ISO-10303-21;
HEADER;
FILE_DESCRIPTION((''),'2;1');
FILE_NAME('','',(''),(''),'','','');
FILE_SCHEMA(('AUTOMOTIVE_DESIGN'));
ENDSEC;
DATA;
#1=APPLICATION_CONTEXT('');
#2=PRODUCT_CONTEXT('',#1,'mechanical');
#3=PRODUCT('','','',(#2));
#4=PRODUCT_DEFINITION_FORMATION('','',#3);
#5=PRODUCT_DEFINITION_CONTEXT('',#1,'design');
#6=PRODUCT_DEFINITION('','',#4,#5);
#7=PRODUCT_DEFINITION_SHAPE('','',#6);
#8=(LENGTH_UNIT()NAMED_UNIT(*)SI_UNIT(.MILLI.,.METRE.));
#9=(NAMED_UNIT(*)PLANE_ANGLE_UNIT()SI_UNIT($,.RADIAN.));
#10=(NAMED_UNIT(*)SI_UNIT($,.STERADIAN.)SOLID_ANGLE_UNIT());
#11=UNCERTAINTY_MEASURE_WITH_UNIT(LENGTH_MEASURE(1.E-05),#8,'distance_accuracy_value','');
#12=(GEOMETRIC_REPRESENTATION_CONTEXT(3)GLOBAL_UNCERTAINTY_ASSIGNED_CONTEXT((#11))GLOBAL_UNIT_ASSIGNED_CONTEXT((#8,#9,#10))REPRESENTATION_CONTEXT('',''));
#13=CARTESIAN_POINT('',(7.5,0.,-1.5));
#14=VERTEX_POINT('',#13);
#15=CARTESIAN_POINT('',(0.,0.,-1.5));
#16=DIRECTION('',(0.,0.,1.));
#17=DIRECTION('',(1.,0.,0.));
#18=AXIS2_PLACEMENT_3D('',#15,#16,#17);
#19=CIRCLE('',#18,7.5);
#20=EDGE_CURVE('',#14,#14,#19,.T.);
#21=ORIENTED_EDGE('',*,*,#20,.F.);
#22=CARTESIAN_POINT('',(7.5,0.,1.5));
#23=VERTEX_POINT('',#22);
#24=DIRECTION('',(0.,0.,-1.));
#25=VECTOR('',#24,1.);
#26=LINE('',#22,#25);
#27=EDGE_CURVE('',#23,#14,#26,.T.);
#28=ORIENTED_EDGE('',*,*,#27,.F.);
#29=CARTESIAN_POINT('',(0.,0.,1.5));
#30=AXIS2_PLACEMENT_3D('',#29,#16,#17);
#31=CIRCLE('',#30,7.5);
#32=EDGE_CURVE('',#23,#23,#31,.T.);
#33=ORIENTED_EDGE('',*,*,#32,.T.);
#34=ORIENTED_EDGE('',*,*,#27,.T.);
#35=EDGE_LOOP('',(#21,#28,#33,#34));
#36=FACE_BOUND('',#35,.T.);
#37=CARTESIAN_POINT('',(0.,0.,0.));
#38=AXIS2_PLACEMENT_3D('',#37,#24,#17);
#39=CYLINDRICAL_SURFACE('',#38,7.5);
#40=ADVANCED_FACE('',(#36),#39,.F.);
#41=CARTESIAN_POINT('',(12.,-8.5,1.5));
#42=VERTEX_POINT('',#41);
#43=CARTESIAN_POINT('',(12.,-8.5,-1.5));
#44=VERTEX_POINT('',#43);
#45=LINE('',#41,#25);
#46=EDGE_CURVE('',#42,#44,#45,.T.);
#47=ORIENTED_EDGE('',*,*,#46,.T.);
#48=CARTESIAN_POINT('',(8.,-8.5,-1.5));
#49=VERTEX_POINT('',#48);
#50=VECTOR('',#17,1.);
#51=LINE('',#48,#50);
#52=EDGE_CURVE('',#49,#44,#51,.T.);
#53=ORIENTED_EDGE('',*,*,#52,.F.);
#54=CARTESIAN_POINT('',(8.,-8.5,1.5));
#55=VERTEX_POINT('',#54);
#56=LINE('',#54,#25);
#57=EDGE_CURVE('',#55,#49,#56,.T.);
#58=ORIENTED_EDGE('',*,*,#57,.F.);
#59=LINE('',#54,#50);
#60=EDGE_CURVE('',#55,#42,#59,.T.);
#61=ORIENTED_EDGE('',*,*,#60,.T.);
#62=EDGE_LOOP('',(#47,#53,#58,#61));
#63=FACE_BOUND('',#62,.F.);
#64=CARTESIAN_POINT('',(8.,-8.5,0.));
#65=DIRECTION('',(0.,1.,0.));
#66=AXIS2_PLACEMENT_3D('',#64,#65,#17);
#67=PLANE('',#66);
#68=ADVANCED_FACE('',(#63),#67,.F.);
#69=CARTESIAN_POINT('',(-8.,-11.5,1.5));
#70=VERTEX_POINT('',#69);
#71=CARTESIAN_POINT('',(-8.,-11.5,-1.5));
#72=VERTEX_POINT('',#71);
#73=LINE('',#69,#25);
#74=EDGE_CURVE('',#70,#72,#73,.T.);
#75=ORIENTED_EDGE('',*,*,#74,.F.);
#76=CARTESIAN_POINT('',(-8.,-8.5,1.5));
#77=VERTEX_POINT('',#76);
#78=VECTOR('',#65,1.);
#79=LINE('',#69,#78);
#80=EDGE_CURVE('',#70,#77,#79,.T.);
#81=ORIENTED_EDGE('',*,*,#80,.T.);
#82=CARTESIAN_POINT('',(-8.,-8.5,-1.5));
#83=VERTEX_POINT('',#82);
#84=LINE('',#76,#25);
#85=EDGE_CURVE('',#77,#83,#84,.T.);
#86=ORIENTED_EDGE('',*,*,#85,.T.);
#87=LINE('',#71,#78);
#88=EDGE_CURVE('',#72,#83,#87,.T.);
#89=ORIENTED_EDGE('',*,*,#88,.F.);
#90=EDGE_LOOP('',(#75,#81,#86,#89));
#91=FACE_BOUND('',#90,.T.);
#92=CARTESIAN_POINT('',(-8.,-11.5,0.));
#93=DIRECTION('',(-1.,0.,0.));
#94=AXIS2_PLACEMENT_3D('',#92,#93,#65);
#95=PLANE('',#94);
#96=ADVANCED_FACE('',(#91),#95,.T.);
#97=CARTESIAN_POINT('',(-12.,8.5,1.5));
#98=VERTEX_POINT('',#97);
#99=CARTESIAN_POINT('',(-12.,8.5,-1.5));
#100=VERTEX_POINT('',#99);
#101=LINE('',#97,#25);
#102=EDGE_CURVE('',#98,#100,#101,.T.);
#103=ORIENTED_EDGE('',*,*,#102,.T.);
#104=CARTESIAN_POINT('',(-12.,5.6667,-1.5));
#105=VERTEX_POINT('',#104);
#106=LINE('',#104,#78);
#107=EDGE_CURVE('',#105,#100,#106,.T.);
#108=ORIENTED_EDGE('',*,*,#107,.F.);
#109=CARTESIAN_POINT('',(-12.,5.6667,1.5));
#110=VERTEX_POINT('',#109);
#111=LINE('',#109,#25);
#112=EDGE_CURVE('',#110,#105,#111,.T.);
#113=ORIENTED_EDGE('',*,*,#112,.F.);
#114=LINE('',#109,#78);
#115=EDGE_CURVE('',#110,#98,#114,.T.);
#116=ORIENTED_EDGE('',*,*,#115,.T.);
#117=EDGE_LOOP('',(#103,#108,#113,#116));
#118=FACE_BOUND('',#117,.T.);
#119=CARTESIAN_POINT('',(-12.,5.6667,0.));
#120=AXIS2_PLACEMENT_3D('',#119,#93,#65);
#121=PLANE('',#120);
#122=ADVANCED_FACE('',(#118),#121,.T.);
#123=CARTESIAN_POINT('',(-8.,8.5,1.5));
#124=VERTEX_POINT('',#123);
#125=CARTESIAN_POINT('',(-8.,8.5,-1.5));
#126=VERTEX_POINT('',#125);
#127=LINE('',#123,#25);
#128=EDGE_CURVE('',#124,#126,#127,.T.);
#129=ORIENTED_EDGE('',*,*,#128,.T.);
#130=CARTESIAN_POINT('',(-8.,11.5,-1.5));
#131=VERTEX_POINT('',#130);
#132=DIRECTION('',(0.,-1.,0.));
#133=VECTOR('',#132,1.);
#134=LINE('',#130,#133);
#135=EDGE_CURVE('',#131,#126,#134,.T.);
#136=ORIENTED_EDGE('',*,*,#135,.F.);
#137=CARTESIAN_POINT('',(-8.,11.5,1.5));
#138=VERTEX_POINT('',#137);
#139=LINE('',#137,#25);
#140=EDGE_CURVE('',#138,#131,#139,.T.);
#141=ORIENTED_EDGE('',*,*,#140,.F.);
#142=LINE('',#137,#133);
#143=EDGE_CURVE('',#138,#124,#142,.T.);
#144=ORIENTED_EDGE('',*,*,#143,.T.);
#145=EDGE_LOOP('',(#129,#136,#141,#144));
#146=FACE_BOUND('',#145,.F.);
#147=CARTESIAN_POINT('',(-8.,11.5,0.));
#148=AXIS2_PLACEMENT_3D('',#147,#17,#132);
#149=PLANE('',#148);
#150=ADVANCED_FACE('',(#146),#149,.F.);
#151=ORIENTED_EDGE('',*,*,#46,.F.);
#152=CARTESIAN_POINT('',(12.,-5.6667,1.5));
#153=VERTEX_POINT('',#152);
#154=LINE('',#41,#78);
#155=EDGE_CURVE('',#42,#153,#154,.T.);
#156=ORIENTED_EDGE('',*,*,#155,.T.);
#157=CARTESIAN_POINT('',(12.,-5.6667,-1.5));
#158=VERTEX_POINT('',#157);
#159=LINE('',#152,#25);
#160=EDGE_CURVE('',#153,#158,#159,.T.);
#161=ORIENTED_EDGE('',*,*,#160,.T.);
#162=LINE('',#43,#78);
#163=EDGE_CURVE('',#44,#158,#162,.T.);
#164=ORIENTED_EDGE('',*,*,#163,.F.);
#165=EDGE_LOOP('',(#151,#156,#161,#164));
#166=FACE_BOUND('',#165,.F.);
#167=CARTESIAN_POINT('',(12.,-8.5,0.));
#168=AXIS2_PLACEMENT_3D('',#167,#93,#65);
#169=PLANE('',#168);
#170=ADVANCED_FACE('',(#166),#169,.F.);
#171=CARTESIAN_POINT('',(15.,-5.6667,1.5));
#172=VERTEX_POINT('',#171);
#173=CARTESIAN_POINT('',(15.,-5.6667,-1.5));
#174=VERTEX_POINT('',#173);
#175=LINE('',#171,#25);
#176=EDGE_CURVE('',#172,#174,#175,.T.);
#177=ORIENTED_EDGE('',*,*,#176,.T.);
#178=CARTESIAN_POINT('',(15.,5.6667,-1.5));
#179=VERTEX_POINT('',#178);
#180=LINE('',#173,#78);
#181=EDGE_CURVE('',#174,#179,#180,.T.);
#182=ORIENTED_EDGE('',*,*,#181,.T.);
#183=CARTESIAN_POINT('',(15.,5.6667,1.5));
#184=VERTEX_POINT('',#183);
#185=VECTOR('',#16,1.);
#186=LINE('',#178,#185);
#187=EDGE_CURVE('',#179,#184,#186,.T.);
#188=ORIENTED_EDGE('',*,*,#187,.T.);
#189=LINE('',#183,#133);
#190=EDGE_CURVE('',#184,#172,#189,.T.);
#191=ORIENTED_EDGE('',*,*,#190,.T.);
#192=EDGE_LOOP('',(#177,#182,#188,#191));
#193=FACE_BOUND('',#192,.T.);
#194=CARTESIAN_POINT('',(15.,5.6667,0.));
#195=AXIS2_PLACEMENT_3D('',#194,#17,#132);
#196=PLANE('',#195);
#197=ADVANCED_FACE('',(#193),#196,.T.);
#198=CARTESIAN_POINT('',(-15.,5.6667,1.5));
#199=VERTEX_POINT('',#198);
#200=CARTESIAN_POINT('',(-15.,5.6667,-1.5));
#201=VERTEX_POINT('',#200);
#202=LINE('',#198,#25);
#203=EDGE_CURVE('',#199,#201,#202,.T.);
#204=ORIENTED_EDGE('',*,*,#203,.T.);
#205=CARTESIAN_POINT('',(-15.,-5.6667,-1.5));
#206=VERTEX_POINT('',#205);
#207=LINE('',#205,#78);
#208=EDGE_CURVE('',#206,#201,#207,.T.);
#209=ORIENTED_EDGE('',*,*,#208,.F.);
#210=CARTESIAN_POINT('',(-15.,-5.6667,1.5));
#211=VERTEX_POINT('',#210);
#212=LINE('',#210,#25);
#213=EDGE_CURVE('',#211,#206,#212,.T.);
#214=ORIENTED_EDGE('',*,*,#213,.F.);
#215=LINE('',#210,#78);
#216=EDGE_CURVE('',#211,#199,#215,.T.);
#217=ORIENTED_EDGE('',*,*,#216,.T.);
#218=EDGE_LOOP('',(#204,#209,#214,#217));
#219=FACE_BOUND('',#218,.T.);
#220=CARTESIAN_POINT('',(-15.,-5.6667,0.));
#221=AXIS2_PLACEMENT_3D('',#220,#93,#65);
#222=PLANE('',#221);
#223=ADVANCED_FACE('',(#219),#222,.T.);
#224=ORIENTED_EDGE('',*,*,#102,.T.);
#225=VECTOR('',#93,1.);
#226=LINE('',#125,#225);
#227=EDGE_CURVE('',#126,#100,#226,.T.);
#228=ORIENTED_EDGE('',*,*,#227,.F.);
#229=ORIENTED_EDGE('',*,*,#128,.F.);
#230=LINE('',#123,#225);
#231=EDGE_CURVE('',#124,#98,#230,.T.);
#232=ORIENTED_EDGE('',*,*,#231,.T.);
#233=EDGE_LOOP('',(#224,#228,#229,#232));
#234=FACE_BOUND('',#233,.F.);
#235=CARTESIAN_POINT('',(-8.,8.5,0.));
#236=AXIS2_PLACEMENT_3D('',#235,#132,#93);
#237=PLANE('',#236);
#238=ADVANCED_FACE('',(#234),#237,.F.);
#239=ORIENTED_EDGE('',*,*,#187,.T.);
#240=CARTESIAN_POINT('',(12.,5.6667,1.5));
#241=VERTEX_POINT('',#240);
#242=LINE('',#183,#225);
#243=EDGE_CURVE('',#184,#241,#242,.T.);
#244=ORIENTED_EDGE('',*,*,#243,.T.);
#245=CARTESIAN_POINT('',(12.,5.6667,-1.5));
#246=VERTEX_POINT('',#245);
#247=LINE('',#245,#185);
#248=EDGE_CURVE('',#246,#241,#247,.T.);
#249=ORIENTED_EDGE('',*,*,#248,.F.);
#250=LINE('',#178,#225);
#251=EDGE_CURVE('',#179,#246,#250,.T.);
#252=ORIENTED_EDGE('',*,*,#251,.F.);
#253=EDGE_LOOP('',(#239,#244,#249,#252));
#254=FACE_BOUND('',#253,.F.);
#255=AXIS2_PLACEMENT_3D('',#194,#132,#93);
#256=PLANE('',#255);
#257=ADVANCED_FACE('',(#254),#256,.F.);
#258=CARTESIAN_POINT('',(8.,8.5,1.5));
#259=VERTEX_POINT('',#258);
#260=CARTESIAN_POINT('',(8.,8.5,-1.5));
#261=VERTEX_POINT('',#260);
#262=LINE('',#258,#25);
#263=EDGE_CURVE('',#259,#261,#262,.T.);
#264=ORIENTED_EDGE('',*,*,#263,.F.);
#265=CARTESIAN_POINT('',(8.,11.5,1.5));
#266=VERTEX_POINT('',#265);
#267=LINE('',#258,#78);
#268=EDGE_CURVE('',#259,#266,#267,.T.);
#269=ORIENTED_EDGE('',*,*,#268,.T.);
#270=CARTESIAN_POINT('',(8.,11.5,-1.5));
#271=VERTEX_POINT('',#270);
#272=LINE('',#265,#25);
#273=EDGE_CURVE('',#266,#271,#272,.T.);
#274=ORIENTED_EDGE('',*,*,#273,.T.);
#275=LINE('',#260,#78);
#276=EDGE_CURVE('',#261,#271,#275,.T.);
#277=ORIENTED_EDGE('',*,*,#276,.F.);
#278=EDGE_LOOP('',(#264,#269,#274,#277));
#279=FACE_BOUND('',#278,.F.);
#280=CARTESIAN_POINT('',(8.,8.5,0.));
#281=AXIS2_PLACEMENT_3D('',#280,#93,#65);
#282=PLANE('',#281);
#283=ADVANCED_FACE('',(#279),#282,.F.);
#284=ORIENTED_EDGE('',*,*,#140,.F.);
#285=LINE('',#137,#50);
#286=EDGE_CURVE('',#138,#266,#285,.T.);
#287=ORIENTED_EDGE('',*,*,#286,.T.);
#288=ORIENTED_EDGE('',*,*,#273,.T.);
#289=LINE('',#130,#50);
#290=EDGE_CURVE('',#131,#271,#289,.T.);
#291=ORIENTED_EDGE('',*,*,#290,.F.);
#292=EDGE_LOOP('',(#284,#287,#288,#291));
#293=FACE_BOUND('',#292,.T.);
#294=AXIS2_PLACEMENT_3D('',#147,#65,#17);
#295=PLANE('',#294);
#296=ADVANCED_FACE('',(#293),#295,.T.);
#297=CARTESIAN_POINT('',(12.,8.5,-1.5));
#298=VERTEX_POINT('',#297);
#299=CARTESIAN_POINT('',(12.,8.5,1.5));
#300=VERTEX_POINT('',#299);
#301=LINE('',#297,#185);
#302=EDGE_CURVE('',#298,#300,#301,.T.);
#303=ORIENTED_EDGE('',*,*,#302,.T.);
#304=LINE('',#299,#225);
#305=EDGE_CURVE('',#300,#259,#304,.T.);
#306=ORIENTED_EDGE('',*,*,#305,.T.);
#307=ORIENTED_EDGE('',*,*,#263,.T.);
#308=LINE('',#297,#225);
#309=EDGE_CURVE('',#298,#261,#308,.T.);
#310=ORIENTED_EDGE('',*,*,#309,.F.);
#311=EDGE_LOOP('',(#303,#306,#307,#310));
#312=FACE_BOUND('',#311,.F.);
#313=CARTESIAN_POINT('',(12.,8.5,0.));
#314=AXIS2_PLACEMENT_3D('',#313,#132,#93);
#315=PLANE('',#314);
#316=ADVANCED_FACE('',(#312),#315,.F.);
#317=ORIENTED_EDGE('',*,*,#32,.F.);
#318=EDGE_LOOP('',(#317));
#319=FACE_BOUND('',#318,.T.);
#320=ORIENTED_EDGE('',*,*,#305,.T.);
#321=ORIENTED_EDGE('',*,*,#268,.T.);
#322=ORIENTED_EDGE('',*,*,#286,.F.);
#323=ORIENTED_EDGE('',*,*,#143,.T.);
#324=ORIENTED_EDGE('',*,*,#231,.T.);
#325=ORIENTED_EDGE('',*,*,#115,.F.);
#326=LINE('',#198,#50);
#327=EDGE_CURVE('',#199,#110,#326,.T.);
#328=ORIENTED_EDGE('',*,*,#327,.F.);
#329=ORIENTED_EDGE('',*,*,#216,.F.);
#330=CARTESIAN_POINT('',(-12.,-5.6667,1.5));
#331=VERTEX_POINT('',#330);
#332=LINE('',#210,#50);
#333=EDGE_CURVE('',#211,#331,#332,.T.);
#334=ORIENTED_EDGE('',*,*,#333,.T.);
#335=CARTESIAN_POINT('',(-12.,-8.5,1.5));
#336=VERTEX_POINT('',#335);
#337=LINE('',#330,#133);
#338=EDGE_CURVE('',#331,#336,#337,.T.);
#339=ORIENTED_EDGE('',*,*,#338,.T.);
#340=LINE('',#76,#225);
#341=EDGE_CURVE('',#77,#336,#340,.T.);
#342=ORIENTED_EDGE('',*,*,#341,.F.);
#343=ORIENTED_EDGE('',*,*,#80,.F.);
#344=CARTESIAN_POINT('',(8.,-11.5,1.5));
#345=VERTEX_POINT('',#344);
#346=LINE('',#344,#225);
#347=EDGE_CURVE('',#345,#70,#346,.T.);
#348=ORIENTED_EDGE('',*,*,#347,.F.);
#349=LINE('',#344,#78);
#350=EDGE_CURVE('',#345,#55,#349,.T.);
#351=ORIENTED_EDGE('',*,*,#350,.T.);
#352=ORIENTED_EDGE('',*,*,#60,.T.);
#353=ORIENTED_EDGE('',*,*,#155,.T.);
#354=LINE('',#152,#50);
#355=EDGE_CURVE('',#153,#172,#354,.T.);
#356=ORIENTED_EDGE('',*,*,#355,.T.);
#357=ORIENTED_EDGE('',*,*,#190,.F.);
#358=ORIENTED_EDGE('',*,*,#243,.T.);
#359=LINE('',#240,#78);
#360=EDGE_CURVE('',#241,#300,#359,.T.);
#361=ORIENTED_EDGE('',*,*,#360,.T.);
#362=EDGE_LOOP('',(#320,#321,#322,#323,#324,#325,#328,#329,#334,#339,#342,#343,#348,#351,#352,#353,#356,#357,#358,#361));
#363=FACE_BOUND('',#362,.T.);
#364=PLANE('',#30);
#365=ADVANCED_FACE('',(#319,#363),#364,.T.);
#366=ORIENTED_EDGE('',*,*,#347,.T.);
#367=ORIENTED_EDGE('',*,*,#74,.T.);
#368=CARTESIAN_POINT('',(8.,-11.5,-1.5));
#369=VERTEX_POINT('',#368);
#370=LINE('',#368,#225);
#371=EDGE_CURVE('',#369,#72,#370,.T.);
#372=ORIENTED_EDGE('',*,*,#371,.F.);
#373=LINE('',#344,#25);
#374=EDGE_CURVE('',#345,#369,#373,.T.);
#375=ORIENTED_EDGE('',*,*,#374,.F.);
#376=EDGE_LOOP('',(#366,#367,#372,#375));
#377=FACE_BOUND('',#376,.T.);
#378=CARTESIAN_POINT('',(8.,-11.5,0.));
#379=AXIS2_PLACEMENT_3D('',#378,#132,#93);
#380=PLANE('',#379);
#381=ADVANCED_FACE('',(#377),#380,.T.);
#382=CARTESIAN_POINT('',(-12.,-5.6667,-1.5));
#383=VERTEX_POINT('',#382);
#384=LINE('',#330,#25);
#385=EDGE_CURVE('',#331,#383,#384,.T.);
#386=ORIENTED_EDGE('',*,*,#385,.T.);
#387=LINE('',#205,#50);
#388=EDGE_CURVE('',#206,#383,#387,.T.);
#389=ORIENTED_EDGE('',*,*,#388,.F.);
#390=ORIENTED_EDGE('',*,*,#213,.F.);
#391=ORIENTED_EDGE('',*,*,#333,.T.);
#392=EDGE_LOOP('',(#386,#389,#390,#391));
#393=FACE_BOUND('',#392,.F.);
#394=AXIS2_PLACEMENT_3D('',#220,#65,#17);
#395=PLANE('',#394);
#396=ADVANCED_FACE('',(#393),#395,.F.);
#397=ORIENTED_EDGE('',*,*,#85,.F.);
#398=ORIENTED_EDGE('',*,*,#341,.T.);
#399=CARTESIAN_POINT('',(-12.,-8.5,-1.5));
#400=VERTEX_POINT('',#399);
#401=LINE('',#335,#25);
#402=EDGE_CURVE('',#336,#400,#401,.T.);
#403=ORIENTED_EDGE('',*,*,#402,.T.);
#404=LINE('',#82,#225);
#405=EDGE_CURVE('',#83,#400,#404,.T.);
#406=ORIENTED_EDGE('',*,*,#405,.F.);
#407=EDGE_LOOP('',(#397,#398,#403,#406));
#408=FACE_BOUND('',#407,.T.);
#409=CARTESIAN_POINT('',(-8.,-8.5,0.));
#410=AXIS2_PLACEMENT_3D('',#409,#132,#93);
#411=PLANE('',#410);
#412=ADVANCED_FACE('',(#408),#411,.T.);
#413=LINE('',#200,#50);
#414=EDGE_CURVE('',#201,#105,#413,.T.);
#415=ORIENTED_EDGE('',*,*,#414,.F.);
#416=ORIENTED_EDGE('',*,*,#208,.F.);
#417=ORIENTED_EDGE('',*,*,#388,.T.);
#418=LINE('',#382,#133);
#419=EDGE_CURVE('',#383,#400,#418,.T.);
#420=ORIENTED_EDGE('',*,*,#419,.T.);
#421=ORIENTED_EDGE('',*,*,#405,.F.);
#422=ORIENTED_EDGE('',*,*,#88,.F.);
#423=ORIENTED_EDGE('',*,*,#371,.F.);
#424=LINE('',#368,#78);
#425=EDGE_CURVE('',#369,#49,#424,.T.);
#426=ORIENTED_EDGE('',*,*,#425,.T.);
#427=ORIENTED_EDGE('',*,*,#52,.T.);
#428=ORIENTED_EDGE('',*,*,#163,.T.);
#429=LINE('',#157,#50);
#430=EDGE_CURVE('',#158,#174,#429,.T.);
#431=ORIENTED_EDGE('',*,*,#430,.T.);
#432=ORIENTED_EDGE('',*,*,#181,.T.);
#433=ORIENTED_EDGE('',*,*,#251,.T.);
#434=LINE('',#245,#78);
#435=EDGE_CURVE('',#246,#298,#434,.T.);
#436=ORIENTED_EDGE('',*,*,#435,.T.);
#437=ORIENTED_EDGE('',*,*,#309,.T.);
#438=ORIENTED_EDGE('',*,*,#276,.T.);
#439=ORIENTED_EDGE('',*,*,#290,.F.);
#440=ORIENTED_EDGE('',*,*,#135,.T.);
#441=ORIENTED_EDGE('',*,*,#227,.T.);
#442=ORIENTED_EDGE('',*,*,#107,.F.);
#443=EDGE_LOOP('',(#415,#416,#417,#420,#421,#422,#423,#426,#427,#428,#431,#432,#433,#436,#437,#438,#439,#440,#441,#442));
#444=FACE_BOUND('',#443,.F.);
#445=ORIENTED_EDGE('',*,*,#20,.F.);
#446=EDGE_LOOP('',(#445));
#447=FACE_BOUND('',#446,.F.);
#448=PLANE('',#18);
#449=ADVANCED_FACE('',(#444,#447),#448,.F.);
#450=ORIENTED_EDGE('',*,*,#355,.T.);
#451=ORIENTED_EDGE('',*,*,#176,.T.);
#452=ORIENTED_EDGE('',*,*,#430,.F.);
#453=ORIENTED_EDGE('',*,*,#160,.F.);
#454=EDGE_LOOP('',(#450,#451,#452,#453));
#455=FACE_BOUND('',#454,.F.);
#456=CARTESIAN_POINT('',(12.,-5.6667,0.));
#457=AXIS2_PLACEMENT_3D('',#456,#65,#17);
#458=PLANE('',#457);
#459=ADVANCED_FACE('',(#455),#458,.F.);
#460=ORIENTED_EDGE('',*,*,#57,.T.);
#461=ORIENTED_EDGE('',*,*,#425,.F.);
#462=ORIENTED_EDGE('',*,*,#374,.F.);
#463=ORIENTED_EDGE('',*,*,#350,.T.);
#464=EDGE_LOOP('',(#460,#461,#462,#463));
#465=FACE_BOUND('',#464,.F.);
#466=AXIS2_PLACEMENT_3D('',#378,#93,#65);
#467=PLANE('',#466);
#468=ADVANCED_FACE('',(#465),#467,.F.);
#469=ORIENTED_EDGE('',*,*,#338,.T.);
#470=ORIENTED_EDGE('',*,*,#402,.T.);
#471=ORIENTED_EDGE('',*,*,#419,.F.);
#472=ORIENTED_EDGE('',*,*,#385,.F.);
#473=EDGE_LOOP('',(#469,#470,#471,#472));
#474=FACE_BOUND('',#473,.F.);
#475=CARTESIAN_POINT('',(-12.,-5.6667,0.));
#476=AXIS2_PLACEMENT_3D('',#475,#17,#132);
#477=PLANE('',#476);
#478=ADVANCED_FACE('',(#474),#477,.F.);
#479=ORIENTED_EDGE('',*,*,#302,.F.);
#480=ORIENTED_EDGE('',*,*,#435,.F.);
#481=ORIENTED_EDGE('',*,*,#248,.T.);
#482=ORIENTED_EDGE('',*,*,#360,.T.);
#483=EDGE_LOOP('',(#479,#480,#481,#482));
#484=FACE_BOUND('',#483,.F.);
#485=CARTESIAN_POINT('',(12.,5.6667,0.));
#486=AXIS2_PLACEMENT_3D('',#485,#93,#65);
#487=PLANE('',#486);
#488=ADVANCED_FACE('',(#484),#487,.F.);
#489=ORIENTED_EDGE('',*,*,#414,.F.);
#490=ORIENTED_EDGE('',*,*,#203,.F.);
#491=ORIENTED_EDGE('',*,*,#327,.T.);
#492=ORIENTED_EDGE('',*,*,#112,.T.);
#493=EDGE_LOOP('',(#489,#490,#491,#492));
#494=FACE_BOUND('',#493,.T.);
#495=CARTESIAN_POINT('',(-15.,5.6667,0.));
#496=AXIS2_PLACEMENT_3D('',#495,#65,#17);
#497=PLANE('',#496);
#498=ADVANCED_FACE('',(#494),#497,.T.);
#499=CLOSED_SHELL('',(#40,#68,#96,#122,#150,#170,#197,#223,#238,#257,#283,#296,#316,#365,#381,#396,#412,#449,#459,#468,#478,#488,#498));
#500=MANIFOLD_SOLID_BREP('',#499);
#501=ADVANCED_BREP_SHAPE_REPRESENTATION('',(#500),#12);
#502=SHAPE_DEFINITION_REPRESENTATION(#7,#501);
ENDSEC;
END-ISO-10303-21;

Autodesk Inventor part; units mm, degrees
ref_plane "YZ Plane" through (0, 0, 0) normal (1, 0, 0) x (0, 1, 0)
ref_plane "XZ Plane" through (0, 0, 0) normal (0, 1, 0) x (-1, 0, 0)
ref_plane "XY Plane" through (0, 0, 0) normal (0, 0, 1) x (1, 0, 0)
sketch "Sketch1" plane through (0, 0, 0) normal (0, 0, 1) x (1, 0, 0)
  circle A0 centre (0, 0) radius 7.5
  line L0 (15, 5.6667) -> (12, 5.6667)
  line L1 (12, 5.6667) -> (12, 8.5)
  line L2 (12, -8.5) -> (12, -5.6667)
  line L3 (12, -5.6667) -> (15, -5.6667)
  line L4 (-8, -11.5) -> (-8, -8.5)
  line L5 (-8, -8.5) -> (-12, -8.5)
  line L6 (8, -11.5) -> (8, -8.5)
  line L7 (8, -8.5) -> (12, -8.5)
  line L8 (-15, -5.6667) -> (-12, -5.6667)
  line L9 (-12, -5.6667) -> (-12, -8.5)
  line L10 (-15, 5.6667) -> (-12, 5.6667)
  line L11 (-12, 5.6667) -> (-12, 8.5)
  line L12 (-8, 11.5) -> (-8, 8.5)
  line L13 (-8, 8.5) -> (-12, 8.5)
  line L14 (12, 8.5) -> (8, 8.5)
  line L15 (8, 8.5) -> (8, 11.5)
  line L16 (15, 5.6667) -> (15, -5.6667)
  line L17 (-8, 11.5) -> (8, 11.5)
  line L18 (-15, -5.6667) -> (-15, 5.6667)
  line L19 (8, -11.5) -> (-8, -11.5)
  line L20 (15, -5.1667) -> (15, 5.6667)
  line L21 (-20.9424, 0) -> (31.3224, 0) construction
  line L22 (0, 36) -> (0, -23) construction
  dimension "d0" = 15
  dimension "d3" = 3
  dimension "d5" = 3
  dimension "d6" = 3
  dimension "d16" = 3
  dimension "d18" = 24
  dimension "d19" = 16
  dimension "d21" = 17
  dimension "d22" = 11.3333
extrude "Extrusion1" add sketch "Sketch1" along normal mid plane 3
equation "\"d19\" = 0.666667 * d18"
equation "\"d22\" = 0.666667 * d21"
properties part number "Camera-Holder_Bearing-Ring-Middle-Right"
